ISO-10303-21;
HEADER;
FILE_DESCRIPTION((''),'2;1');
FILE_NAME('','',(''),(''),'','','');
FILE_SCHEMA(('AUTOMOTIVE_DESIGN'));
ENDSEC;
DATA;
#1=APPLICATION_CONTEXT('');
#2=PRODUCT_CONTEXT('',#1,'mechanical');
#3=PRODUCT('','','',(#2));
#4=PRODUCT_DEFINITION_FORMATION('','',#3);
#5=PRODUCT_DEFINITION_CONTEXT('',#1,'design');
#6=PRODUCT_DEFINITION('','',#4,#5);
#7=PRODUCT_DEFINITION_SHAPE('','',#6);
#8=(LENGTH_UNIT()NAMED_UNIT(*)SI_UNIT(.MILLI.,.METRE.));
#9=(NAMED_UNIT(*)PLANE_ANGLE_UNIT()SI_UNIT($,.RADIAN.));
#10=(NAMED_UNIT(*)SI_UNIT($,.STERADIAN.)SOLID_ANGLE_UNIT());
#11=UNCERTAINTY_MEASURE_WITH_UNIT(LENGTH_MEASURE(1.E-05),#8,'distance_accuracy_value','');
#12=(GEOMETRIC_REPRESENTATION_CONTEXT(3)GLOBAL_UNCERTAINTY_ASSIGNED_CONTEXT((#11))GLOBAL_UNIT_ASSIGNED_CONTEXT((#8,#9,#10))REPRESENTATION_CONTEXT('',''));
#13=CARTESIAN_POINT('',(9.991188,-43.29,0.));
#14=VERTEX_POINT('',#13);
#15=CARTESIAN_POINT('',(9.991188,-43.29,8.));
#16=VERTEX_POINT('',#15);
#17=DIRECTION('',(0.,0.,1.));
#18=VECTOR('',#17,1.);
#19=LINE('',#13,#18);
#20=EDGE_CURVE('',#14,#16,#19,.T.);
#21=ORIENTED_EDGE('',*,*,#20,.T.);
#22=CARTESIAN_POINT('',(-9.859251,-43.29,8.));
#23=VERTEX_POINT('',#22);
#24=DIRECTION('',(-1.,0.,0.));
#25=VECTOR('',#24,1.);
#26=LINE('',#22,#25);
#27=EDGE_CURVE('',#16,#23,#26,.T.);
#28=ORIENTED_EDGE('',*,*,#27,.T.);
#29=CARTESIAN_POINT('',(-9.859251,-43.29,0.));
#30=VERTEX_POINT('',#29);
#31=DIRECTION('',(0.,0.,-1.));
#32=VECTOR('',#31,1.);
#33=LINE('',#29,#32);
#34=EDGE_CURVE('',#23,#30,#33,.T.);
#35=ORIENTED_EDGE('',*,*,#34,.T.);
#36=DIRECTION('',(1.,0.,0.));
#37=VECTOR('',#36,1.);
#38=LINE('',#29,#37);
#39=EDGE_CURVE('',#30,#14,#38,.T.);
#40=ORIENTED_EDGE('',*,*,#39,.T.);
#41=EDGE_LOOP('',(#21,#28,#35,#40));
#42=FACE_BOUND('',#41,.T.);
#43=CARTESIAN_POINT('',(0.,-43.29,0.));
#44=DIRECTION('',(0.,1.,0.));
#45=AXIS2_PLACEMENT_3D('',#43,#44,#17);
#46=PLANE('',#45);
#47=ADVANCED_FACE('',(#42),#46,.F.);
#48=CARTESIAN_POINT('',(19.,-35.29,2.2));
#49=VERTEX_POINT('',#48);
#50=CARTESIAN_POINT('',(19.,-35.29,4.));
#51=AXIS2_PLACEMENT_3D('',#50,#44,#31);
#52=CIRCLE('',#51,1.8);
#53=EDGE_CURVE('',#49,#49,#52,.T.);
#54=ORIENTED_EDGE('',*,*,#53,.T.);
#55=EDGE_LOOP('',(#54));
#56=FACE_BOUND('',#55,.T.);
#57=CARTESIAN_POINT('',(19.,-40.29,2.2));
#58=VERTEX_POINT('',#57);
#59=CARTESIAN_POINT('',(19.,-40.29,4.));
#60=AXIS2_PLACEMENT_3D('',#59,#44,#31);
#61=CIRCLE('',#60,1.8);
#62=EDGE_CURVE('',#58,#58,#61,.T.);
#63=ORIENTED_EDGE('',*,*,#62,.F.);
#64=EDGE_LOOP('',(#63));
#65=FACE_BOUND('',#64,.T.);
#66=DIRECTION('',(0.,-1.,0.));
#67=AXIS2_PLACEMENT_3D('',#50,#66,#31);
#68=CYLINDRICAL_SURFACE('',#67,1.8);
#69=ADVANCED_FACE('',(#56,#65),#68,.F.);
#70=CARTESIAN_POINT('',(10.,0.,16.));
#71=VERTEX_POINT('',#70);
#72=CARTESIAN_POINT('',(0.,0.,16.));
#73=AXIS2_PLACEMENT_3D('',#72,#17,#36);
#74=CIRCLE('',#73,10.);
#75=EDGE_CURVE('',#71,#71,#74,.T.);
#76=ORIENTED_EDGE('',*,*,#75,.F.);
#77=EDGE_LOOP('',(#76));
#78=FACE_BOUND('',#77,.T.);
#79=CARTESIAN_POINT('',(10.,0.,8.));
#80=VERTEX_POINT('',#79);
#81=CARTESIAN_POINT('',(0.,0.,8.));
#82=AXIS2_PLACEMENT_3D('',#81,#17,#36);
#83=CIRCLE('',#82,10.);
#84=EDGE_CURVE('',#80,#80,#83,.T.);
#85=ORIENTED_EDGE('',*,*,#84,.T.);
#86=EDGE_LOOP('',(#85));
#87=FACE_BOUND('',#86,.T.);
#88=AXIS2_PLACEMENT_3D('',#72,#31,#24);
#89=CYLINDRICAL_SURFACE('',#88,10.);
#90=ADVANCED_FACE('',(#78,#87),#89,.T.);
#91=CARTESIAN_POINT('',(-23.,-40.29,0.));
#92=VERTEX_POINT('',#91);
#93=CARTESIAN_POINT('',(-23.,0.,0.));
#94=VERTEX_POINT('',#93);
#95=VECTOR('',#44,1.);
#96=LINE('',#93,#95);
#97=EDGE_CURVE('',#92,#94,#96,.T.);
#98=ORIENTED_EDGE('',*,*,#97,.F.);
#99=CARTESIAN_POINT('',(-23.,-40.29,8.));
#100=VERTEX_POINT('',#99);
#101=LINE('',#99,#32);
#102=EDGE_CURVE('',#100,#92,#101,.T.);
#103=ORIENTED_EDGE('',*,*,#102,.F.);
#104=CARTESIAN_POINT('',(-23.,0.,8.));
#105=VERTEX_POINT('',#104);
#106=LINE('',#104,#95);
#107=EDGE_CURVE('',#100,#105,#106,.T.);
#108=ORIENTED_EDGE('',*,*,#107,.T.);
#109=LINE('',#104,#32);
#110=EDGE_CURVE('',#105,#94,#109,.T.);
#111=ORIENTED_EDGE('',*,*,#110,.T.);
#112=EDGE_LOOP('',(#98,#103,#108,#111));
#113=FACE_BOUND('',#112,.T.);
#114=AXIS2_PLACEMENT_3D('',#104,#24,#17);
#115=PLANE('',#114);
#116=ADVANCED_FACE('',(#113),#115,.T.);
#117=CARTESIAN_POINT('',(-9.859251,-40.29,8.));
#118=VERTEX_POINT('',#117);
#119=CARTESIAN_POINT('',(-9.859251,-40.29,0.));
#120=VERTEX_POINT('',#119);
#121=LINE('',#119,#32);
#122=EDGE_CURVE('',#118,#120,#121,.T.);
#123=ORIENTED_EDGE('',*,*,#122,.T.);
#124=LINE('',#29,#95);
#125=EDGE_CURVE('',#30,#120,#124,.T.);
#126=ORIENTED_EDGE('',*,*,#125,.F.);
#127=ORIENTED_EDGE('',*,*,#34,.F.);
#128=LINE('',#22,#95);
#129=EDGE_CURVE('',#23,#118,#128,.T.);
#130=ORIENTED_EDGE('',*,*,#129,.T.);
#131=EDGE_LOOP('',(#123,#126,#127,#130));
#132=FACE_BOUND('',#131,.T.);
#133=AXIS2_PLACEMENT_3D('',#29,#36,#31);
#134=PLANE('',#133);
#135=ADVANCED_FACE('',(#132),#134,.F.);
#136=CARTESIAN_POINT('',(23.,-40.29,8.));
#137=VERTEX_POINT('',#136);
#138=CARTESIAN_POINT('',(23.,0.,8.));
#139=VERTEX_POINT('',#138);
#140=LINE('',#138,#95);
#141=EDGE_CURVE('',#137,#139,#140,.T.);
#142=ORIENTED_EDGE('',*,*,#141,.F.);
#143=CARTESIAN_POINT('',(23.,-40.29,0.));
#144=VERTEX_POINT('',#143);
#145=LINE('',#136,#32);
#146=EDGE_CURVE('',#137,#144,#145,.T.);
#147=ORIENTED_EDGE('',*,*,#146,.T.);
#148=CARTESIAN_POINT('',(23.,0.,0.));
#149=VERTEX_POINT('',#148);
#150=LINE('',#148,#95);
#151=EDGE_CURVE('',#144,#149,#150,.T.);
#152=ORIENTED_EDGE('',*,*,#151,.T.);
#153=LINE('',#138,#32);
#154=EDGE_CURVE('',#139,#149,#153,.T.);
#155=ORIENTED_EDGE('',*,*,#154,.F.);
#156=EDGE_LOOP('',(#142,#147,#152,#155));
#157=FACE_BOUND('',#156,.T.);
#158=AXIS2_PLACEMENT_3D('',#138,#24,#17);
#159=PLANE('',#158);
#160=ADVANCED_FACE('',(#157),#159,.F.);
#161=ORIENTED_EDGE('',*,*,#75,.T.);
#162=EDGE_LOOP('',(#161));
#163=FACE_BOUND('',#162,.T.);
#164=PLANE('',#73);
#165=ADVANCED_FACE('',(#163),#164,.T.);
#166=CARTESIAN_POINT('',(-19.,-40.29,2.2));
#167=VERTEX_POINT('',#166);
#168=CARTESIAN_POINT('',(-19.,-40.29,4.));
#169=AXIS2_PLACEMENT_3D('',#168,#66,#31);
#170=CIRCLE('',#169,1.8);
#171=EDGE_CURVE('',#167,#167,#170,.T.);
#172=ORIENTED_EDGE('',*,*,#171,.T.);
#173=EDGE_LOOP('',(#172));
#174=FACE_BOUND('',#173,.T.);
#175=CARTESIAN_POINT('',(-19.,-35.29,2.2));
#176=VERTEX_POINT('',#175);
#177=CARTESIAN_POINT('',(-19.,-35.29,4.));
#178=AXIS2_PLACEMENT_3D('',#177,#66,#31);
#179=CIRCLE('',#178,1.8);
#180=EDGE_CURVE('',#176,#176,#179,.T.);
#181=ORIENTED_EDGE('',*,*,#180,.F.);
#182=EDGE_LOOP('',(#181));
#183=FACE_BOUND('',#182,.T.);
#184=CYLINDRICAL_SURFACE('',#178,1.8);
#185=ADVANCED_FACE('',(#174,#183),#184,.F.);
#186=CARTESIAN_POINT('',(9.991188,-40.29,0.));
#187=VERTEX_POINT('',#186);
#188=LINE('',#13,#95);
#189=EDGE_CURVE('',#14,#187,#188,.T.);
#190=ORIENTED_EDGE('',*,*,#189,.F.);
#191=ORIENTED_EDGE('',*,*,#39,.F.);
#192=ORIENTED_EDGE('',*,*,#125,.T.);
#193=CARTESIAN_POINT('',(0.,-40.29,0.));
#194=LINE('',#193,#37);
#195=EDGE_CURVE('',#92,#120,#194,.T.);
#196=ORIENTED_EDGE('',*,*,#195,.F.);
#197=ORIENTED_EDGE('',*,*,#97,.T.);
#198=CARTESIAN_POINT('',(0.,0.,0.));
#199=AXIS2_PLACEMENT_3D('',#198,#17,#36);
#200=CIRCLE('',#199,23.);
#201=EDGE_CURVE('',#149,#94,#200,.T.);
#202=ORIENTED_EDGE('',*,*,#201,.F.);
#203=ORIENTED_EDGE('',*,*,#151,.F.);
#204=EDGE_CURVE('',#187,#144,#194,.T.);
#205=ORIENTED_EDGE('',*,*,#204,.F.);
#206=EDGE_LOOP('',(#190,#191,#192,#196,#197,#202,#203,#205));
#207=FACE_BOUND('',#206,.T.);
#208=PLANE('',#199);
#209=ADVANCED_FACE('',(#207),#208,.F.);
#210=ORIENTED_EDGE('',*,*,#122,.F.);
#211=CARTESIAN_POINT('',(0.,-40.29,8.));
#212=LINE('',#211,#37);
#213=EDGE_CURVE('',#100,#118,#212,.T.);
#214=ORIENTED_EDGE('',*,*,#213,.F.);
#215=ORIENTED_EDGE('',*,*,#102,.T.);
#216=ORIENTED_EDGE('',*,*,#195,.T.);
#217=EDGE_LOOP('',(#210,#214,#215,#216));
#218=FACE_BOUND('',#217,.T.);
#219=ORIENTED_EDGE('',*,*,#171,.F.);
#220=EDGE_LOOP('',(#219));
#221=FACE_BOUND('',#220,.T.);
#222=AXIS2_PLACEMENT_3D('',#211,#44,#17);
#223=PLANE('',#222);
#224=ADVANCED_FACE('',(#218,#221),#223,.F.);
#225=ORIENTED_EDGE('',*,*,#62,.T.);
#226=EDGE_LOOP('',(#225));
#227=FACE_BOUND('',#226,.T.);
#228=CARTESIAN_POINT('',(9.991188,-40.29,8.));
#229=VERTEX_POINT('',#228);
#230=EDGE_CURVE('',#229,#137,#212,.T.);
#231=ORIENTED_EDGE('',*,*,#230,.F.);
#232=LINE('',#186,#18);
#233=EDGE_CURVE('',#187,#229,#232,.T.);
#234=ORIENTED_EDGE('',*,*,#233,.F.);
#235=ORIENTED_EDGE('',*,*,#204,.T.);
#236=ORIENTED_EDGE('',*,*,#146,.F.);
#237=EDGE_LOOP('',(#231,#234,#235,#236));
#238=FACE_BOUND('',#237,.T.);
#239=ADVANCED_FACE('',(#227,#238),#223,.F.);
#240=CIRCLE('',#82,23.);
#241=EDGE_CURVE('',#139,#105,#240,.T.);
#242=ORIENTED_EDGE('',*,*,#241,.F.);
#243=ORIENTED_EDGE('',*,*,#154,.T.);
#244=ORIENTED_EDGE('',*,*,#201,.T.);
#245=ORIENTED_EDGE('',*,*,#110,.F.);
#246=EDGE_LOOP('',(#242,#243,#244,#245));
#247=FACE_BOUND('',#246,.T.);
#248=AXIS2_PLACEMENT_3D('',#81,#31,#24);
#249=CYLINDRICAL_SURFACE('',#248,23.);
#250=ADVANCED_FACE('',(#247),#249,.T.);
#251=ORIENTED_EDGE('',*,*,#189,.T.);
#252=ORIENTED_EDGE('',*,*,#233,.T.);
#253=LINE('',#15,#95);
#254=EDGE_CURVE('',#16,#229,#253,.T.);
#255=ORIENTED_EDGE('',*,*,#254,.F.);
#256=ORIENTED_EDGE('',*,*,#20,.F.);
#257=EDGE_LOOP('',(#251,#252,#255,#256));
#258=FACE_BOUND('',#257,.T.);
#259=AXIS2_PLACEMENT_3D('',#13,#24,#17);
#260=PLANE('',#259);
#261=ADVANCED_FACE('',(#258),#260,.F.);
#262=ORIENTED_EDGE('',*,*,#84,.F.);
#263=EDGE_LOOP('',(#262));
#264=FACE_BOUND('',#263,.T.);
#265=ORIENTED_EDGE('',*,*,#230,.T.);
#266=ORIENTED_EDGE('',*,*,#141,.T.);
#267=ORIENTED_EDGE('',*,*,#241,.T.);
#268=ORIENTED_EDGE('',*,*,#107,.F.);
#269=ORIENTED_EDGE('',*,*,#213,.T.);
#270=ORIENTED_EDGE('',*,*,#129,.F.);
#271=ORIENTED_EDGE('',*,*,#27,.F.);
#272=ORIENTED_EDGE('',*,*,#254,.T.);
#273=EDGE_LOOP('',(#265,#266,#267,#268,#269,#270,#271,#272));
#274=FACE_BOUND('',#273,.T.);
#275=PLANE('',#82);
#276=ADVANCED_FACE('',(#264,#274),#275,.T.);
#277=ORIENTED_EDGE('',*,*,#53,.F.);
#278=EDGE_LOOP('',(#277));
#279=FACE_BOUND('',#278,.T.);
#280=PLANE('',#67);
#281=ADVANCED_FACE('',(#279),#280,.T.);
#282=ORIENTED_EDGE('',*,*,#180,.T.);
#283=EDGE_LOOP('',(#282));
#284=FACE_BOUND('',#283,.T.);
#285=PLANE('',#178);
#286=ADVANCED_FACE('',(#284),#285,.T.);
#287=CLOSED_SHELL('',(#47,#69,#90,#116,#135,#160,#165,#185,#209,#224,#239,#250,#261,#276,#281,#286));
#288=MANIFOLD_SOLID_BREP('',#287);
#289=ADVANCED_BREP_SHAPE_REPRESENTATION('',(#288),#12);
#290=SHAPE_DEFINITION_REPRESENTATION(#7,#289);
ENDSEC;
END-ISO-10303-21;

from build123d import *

# Parameters (mm, degrees)
EXTRUDE_1_DEPTH     = 8
SKETCH_2_R          = 10
EXTRUDE_2_DEPTH     = 8
SKETCH_3_W          = 19.850439241
SKETCH_3_H          = 8
EXTRUDE_3_DEPTH     = 3
SKETCH_4_R          = 1.8
CUT_EXTRUDE_1_DEPTH = 5


with BuildPart() as part:
    # 草图1 → 凸台-拉伸1 (new body)
    with BuildSketch(Plane.XY):
        with BuildLine():
            Line((-23, 0), (-23, -40.29))
            Line((-23, -40.29), (23, -40.29))
            Line((23, -40.29), (23, 0))
            ThreePointArc((23, 0), (0, 23), (-23, 0))
        make_face()
    extrude(amount=EXTRUDE_1_DEPTH)

    # 草图2 → 凸台-拉伸2 (add)
    with BuildSketch(Plane.XY.offset(8)):
        Circle(SKETCH_2_R)
    extrude(amount=EXTRUDE_2_DEPTH)

    # 草图3 → 凸台-拉伸3 (add)
    with BuildSketch(Plane(origin=(0, -40.29, 0), x_dir=(-1, 0, 0), z_dir=(0, -1, 0))):
        with Locations((-0.065968244, -4)):
            Rectangle(SKETCH_3_W, SKETCH_3_H)
    extrude(amount=EXTRUDE_3_DEPTH)

    # 草图4 → 切除-拉伸1 (cut)
    with BuildSketch(Plane(origin=(0, -40.29, 0), x_dir=(-1, 0, 0), z_dir=(0, -1, 0))):
        with Locations((19, -4)):
            Circle(SKETCH_4_R)
    cut_extrude_1 = extrude(amount=-CUT_EXTRUDE_1_DEPTH, mode=Mode.SUBTRACT)

    # 镜向1: 切除-拉伸1 across plane
    add(cut_extrude_1.mirror(Plane.ZY), mode=Mode.SUBTRACT)


solid = part.part
